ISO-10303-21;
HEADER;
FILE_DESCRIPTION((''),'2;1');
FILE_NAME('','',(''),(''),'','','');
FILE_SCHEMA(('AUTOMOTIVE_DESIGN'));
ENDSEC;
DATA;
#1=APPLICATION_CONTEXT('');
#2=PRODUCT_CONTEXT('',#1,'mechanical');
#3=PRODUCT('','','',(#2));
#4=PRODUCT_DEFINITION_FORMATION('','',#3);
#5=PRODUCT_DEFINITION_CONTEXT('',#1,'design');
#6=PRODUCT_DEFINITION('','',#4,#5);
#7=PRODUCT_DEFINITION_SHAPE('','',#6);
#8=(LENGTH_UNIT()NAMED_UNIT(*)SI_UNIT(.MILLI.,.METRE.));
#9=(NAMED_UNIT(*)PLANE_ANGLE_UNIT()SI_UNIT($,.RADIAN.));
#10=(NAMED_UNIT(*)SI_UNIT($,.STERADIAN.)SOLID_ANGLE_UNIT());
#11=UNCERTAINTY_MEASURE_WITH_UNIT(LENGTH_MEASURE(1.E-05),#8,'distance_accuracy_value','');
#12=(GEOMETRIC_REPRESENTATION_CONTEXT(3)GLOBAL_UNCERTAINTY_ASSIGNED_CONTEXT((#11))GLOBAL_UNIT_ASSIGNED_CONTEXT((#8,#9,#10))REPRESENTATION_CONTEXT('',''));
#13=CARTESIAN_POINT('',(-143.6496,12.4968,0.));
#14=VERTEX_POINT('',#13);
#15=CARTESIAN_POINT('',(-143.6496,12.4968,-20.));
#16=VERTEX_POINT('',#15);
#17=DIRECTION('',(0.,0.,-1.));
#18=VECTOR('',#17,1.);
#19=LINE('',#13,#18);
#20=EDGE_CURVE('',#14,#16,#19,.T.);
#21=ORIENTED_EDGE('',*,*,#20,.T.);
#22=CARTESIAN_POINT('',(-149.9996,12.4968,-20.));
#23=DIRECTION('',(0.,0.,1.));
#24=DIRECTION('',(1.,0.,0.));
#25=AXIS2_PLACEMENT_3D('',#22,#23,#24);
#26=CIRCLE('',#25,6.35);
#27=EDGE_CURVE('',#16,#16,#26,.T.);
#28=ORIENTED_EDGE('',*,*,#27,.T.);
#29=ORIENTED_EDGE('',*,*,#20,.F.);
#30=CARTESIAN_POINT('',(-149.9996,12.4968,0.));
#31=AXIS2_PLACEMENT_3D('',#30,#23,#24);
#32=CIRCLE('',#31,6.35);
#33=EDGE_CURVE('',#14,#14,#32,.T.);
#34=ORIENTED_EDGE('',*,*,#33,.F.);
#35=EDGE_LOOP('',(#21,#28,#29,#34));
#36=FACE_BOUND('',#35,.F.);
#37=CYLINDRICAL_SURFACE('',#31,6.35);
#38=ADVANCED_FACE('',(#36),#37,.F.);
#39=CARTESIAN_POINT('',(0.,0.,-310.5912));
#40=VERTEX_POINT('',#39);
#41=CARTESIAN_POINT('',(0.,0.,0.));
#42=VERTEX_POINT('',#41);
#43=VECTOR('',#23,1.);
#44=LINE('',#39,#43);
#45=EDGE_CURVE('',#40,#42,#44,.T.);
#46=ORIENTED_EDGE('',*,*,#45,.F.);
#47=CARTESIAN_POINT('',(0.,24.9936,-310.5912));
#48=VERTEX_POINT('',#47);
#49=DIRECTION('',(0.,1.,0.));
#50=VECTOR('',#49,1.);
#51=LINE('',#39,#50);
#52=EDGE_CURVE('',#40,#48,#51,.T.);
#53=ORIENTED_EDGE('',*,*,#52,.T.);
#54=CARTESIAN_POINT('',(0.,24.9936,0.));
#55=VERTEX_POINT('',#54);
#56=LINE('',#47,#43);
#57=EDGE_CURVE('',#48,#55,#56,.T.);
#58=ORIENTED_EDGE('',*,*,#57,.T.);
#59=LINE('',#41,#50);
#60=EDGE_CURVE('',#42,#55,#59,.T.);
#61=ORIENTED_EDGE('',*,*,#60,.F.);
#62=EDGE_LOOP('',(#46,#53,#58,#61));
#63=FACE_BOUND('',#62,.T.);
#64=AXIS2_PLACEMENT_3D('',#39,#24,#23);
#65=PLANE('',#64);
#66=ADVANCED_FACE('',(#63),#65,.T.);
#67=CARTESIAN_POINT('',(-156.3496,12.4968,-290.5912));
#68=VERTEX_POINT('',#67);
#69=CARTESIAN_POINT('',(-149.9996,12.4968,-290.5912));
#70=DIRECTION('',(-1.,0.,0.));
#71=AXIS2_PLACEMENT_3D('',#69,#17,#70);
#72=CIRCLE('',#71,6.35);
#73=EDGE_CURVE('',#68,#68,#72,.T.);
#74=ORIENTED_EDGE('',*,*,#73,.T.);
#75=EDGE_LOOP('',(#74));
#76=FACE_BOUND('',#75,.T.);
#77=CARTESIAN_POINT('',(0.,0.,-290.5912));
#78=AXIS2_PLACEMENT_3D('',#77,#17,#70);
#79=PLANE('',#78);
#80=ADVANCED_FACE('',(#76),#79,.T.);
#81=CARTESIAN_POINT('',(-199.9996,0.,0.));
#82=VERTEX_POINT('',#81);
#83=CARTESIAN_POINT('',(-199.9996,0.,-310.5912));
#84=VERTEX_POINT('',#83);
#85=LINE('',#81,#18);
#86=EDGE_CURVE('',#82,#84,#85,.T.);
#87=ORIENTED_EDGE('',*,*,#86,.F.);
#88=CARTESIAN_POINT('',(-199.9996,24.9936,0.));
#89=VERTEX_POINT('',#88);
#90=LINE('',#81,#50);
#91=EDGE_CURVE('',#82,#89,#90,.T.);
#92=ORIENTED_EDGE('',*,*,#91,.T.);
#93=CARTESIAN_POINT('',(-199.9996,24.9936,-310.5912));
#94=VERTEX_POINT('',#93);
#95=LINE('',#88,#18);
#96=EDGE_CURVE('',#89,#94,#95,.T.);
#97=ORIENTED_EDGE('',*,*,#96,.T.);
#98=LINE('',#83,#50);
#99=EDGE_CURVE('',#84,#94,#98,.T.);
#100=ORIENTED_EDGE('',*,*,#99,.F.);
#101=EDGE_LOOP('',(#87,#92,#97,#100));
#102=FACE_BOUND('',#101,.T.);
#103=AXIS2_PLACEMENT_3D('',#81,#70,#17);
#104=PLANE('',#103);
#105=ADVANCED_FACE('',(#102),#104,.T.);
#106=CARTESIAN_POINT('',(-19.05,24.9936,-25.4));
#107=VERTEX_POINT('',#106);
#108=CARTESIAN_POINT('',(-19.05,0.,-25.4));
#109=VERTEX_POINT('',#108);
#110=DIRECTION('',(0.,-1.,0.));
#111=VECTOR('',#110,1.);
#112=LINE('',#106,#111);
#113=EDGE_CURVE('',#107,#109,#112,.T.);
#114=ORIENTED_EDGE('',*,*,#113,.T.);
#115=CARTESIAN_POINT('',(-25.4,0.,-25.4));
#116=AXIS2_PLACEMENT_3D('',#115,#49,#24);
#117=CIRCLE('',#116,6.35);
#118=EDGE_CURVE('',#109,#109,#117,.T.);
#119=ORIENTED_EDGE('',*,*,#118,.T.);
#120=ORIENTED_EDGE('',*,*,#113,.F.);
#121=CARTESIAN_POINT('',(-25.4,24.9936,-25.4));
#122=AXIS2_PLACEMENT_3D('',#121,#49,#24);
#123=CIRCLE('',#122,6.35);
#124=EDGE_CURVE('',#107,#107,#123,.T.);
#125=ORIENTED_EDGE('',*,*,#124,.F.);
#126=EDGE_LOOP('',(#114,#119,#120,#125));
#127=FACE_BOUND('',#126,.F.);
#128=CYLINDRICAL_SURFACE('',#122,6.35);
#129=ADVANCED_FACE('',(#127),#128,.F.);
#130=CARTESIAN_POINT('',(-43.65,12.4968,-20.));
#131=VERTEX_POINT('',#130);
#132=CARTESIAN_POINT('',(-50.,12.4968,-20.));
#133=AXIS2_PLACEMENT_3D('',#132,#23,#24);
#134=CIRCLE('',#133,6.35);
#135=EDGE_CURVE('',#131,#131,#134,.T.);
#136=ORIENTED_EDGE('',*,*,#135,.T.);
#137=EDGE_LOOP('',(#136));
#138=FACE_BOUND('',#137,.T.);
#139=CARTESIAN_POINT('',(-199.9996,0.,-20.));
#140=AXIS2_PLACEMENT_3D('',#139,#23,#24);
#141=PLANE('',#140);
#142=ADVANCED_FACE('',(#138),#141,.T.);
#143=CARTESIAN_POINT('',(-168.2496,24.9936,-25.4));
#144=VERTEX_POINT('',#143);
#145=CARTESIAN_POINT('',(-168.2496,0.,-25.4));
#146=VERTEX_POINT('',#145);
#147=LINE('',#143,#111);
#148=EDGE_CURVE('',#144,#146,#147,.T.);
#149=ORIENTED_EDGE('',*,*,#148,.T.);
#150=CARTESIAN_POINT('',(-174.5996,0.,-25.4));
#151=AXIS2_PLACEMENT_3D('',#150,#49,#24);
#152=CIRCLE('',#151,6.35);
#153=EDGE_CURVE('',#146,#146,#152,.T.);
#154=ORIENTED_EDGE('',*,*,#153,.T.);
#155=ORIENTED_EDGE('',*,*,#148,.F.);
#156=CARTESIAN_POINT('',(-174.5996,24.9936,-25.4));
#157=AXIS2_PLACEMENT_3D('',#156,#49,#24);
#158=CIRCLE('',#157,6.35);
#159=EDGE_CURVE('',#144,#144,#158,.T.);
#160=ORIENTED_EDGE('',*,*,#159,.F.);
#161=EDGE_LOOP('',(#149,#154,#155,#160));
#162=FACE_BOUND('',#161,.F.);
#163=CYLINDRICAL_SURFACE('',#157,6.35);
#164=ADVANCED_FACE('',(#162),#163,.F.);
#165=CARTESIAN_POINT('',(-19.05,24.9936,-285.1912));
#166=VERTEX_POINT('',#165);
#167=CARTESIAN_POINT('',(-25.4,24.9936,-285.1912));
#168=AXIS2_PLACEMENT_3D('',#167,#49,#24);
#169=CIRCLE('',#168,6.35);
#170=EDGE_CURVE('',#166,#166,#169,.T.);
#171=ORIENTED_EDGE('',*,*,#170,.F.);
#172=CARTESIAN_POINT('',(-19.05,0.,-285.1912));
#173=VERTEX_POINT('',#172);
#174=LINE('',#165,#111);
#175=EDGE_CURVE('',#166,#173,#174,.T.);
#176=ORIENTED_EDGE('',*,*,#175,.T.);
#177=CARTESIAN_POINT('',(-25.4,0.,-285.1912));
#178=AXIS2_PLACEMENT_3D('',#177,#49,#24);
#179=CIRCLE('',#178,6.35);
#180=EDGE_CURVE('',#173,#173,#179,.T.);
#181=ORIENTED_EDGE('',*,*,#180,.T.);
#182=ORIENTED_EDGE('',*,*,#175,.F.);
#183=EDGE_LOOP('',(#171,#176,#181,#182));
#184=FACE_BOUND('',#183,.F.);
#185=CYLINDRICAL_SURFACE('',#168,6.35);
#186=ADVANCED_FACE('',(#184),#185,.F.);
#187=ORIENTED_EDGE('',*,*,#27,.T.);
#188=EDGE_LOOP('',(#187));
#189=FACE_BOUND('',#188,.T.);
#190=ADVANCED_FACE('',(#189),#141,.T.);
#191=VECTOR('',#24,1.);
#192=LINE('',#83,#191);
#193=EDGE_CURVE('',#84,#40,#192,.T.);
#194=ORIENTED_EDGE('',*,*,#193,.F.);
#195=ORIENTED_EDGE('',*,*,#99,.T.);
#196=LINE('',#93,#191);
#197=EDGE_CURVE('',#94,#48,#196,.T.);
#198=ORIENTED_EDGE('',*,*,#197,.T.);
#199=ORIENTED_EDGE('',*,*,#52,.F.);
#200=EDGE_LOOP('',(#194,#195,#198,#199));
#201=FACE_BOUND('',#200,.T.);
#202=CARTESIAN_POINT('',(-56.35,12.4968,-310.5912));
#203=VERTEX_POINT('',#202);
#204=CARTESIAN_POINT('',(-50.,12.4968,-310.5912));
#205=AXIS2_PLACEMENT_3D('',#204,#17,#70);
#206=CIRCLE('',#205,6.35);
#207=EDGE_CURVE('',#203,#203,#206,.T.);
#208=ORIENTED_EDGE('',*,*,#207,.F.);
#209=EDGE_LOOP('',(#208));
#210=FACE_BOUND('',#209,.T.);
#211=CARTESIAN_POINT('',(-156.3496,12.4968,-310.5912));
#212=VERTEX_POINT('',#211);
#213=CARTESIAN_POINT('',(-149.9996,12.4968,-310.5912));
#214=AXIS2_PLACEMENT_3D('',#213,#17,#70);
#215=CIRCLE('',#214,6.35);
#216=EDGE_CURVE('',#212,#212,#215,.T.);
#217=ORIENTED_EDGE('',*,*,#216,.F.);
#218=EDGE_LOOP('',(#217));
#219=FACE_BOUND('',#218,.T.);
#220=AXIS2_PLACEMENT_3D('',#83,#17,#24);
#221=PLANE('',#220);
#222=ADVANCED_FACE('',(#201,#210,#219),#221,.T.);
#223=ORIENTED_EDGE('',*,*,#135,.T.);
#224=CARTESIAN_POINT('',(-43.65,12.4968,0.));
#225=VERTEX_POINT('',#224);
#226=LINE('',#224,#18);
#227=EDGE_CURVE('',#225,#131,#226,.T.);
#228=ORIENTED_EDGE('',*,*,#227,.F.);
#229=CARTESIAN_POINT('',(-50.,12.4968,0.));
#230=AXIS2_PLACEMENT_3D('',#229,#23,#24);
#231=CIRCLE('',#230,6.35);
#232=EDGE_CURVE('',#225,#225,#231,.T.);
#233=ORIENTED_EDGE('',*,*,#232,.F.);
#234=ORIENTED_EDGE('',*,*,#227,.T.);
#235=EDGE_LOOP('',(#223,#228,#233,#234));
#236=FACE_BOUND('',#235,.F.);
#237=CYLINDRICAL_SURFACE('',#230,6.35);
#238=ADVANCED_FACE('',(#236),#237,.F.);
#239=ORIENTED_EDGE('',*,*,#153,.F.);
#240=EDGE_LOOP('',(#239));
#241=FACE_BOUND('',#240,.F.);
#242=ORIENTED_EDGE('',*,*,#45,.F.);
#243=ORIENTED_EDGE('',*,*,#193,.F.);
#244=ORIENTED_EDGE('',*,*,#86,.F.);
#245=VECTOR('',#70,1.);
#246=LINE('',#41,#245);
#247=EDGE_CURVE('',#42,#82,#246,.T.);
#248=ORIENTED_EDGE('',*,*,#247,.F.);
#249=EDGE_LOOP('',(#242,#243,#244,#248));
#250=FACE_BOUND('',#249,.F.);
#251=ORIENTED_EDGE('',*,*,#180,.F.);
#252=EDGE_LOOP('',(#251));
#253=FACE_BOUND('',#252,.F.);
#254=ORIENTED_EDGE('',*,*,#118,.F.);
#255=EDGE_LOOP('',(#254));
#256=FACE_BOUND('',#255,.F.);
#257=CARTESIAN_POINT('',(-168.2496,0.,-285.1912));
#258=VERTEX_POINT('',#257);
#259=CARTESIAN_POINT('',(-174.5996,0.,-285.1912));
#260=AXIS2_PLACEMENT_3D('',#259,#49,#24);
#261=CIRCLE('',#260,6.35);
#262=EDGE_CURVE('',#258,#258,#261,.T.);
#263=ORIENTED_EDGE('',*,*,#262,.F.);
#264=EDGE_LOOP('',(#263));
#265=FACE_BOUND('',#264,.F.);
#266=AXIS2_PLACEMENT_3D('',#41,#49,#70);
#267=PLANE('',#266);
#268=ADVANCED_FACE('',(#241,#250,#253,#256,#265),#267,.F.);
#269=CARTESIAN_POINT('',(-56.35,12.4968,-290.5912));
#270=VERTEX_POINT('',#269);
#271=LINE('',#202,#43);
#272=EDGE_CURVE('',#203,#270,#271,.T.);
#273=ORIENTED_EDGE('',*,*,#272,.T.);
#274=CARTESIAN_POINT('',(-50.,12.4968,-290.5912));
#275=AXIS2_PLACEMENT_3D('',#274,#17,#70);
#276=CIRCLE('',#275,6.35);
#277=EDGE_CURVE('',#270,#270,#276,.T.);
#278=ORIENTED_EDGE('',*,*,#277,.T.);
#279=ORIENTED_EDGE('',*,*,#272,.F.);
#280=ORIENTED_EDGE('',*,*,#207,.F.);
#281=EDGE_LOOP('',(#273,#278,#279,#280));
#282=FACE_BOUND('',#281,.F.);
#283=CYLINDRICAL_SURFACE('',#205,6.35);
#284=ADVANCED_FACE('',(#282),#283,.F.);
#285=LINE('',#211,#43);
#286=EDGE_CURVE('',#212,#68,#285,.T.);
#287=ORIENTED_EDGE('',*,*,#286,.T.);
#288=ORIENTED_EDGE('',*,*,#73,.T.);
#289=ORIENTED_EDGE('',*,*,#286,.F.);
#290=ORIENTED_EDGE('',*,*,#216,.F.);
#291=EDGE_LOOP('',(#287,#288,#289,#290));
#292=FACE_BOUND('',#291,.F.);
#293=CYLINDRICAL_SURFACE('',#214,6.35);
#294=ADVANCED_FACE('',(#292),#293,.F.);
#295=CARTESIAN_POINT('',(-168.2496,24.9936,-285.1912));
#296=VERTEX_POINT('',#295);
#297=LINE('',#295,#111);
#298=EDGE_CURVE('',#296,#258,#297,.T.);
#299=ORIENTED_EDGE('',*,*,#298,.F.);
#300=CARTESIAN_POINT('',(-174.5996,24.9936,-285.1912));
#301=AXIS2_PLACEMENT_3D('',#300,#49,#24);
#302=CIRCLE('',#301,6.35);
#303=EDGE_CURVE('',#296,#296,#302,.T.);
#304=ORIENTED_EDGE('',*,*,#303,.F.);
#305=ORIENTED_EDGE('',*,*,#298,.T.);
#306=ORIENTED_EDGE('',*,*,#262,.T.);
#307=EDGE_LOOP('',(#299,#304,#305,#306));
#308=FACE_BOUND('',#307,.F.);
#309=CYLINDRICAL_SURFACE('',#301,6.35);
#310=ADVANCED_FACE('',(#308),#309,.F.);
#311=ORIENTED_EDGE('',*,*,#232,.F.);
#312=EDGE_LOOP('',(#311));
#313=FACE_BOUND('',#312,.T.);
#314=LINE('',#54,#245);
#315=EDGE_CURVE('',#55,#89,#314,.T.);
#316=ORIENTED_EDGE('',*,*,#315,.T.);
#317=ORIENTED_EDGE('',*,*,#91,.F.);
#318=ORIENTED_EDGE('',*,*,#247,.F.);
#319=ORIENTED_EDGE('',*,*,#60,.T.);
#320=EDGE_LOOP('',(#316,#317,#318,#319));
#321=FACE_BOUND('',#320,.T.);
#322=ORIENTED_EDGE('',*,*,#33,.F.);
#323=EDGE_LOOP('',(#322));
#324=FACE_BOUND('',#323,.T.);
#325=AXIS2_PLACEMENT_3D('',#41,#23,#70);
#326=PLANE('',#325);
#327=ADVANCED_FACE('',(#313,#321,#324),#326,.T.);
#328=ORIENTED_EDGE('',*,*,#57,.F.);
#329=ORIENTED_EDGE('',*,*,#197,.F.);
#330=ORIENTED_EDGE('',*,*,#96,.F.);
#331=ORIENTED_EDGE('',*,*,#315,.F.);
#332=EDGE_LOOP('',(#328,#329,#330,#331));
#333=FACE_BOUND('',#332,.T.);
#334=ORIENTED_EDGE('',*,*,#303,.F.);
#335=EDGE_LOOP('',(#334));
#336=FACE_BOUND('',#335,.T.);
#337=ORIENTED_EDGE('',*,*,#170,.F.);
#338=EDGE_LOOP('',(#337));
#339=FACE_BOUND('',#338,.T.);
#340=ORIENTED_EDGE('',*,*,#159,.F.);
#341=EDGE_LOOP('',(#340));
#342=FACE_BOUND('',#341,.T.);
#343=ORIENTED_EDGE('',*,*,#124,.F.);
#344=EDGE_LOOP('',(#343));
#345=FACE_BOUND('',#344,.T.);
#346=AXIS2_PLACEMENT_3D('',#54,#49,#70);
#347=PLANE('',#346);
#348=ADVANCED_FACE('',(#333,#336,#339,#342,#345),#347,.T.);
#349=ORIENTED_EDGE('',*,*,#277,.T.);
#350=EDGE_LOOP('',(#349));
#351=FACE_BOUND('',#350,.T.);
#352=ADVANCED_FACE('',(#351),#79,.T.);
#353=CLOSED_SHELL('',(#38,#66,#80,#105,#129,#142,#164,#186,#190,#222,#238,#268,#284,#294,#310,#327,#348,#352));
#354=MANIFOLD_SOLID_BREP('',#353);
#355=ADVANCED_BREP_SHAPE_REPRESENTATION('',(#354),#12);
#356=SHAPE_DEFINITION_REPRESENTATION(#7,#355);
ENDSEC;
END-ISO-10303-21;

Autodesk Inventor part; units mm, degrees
ref_plane "YZ Plane" through (0, 0, 0) normal (1, 0, 0) x (0, 1, 0)
ref_plane "XZ Plane" through (0, 0, 0) normal (0, 1, 0) x (-1, 0, 0)
ref_plane "XY Plane" through (0, 0, 0) normal (0, 0, 1) x (1, 0, 0)
sketch "Sketch1" plane through (0, 0, 0) normal (0, 1, 0) x (-1, 0, 0)
  line L0 (0, 0) -> (199.9996, 0)
  line L1 (199.9996, 0) -> (199.9996, -310.5912)
  line L2 (199.9996, -310.5912) -> (0, -310.5912)
  line L3 (0, -310.5912) -> (0, 0)
  dimension "d0" = 199.9996
  dimension "d1" = 310.5912
extrude "Extrusion1" add sketch "Sketch1" along normal blind 24.9936
sketch "Sketch2" plane through (0, 24.9936, 0) normal (0, 1, 0) x (1, 0, 0)
  circle A0 centre (-174.5996, 25.4) radius 6.35
  circle A1 centre (-174.5996, 285.1912) radius 6.35
  circle A2 centre (-25.4, 25.4) radius 6.35
  circle A3 centre (-25.4, 285.1912) radius 6.35
  line L0 (-199.9996, 310.5912) -> (-199.9996, 0) projected
  line L1 (-199.9996, 0) -> (0, 0) projected
  line L2 (0, 310.5912) -> (-199.9996, 310.5912) projected
  line L3 (0, 0) -> (0, 310.5912) projected
  dimension "d4" = 12.7
  dimension "d5" = 25.4
  dimension "d6" = 25.4
  dimension "d7" = 12.7
  dimension "d8" = 25.4
  dimension "d9" = 25.4
  dimension "d10" = 25.4
  dimension "d11" = 25.4
  dimension "d12" = 12.7
  dimension "d13" = 12.7
  dimension "d14" = 25.4
  dimension "d15" = 25.4
extrude "Extrusion2" cut sketch "Sketch2" against normal blind 24.9936 contours A0 | A1 | A2 | A3
sketch "Sketch3" plane through (-199.9996, 0, 0) normal (0, 0, 1) x (1, 0, 0)
  circle A0 centre (50, 12.4968) radius 6.35
  circle A1 centre (149.9996, 12.4968) radius 6.35
  line L0 (0, 0) -> (0, 24.9936) projected
  line L1 (0, 24.9936) -> (199.9996, 24.9936) projected
  line L2 (199.9996, 0) -> (199.9996, 24.9936) projected
  point P0 (199.9996, 12.4968)
  dimension "d18" = 12.7
  dimension "d19" = 50
  dimension "d20" = 12.4968
  dimension "d21" = 12.4968
  dimension "d22" = 50
  dimension "d23" = 12.7
sketch "Sketch4" plane through (0, 0, -310.5912) normal (0, 0, -1) x (-1, 0, 0)
  circle A0 centre (50, 12.4968) radius 6.35
  circle A1 centre (149.9996, 12.4968) radius 6.35
  line L0 (0, 0) -> (0, 24.9936) projected
  line L1 (0, 0) -> (199.9996, 0) projected
  line L2 (199.9996, 0) -> (199.9996, 24.9936) projected
  dimension "d24" = 12.7
  dimension "d25" = 12.7
  dimension "d26" = 50
  dimension "d27" = 12.4968
  dimension "d28" = 12.4968
  dimension "d29" = 50
extrude "Extrusion3" cut sketch "Sketch3" against normal blind 20
extrude "Extrusion4" cut sketch "Sketch4" against normal blind 20
equation "\"d7\" = d4"
equation "\"d8\" = d5"
equation "\"d9\" = d5"
equation "\"d10\" = d5"
equation "\"d11\" = d5"
equation "\"d12\" = d4"
equation "\"d13\" = d4"
equation "\"d14\" = d5"
equation "\"d15\" = d5"
equation "\"d21\" = d20"
equation "\"d22\" = d19"
equation "\"d23\" = d18"
equation "\"d24\" = d18"
equation "\"d25\" = d18"
equation "\"d26\" = d22"
equation "\"d27\" = d21"
equation "\"d28\" = d21"
equation "\"d29\" = d26"
properties part number "FloorMountV2"
